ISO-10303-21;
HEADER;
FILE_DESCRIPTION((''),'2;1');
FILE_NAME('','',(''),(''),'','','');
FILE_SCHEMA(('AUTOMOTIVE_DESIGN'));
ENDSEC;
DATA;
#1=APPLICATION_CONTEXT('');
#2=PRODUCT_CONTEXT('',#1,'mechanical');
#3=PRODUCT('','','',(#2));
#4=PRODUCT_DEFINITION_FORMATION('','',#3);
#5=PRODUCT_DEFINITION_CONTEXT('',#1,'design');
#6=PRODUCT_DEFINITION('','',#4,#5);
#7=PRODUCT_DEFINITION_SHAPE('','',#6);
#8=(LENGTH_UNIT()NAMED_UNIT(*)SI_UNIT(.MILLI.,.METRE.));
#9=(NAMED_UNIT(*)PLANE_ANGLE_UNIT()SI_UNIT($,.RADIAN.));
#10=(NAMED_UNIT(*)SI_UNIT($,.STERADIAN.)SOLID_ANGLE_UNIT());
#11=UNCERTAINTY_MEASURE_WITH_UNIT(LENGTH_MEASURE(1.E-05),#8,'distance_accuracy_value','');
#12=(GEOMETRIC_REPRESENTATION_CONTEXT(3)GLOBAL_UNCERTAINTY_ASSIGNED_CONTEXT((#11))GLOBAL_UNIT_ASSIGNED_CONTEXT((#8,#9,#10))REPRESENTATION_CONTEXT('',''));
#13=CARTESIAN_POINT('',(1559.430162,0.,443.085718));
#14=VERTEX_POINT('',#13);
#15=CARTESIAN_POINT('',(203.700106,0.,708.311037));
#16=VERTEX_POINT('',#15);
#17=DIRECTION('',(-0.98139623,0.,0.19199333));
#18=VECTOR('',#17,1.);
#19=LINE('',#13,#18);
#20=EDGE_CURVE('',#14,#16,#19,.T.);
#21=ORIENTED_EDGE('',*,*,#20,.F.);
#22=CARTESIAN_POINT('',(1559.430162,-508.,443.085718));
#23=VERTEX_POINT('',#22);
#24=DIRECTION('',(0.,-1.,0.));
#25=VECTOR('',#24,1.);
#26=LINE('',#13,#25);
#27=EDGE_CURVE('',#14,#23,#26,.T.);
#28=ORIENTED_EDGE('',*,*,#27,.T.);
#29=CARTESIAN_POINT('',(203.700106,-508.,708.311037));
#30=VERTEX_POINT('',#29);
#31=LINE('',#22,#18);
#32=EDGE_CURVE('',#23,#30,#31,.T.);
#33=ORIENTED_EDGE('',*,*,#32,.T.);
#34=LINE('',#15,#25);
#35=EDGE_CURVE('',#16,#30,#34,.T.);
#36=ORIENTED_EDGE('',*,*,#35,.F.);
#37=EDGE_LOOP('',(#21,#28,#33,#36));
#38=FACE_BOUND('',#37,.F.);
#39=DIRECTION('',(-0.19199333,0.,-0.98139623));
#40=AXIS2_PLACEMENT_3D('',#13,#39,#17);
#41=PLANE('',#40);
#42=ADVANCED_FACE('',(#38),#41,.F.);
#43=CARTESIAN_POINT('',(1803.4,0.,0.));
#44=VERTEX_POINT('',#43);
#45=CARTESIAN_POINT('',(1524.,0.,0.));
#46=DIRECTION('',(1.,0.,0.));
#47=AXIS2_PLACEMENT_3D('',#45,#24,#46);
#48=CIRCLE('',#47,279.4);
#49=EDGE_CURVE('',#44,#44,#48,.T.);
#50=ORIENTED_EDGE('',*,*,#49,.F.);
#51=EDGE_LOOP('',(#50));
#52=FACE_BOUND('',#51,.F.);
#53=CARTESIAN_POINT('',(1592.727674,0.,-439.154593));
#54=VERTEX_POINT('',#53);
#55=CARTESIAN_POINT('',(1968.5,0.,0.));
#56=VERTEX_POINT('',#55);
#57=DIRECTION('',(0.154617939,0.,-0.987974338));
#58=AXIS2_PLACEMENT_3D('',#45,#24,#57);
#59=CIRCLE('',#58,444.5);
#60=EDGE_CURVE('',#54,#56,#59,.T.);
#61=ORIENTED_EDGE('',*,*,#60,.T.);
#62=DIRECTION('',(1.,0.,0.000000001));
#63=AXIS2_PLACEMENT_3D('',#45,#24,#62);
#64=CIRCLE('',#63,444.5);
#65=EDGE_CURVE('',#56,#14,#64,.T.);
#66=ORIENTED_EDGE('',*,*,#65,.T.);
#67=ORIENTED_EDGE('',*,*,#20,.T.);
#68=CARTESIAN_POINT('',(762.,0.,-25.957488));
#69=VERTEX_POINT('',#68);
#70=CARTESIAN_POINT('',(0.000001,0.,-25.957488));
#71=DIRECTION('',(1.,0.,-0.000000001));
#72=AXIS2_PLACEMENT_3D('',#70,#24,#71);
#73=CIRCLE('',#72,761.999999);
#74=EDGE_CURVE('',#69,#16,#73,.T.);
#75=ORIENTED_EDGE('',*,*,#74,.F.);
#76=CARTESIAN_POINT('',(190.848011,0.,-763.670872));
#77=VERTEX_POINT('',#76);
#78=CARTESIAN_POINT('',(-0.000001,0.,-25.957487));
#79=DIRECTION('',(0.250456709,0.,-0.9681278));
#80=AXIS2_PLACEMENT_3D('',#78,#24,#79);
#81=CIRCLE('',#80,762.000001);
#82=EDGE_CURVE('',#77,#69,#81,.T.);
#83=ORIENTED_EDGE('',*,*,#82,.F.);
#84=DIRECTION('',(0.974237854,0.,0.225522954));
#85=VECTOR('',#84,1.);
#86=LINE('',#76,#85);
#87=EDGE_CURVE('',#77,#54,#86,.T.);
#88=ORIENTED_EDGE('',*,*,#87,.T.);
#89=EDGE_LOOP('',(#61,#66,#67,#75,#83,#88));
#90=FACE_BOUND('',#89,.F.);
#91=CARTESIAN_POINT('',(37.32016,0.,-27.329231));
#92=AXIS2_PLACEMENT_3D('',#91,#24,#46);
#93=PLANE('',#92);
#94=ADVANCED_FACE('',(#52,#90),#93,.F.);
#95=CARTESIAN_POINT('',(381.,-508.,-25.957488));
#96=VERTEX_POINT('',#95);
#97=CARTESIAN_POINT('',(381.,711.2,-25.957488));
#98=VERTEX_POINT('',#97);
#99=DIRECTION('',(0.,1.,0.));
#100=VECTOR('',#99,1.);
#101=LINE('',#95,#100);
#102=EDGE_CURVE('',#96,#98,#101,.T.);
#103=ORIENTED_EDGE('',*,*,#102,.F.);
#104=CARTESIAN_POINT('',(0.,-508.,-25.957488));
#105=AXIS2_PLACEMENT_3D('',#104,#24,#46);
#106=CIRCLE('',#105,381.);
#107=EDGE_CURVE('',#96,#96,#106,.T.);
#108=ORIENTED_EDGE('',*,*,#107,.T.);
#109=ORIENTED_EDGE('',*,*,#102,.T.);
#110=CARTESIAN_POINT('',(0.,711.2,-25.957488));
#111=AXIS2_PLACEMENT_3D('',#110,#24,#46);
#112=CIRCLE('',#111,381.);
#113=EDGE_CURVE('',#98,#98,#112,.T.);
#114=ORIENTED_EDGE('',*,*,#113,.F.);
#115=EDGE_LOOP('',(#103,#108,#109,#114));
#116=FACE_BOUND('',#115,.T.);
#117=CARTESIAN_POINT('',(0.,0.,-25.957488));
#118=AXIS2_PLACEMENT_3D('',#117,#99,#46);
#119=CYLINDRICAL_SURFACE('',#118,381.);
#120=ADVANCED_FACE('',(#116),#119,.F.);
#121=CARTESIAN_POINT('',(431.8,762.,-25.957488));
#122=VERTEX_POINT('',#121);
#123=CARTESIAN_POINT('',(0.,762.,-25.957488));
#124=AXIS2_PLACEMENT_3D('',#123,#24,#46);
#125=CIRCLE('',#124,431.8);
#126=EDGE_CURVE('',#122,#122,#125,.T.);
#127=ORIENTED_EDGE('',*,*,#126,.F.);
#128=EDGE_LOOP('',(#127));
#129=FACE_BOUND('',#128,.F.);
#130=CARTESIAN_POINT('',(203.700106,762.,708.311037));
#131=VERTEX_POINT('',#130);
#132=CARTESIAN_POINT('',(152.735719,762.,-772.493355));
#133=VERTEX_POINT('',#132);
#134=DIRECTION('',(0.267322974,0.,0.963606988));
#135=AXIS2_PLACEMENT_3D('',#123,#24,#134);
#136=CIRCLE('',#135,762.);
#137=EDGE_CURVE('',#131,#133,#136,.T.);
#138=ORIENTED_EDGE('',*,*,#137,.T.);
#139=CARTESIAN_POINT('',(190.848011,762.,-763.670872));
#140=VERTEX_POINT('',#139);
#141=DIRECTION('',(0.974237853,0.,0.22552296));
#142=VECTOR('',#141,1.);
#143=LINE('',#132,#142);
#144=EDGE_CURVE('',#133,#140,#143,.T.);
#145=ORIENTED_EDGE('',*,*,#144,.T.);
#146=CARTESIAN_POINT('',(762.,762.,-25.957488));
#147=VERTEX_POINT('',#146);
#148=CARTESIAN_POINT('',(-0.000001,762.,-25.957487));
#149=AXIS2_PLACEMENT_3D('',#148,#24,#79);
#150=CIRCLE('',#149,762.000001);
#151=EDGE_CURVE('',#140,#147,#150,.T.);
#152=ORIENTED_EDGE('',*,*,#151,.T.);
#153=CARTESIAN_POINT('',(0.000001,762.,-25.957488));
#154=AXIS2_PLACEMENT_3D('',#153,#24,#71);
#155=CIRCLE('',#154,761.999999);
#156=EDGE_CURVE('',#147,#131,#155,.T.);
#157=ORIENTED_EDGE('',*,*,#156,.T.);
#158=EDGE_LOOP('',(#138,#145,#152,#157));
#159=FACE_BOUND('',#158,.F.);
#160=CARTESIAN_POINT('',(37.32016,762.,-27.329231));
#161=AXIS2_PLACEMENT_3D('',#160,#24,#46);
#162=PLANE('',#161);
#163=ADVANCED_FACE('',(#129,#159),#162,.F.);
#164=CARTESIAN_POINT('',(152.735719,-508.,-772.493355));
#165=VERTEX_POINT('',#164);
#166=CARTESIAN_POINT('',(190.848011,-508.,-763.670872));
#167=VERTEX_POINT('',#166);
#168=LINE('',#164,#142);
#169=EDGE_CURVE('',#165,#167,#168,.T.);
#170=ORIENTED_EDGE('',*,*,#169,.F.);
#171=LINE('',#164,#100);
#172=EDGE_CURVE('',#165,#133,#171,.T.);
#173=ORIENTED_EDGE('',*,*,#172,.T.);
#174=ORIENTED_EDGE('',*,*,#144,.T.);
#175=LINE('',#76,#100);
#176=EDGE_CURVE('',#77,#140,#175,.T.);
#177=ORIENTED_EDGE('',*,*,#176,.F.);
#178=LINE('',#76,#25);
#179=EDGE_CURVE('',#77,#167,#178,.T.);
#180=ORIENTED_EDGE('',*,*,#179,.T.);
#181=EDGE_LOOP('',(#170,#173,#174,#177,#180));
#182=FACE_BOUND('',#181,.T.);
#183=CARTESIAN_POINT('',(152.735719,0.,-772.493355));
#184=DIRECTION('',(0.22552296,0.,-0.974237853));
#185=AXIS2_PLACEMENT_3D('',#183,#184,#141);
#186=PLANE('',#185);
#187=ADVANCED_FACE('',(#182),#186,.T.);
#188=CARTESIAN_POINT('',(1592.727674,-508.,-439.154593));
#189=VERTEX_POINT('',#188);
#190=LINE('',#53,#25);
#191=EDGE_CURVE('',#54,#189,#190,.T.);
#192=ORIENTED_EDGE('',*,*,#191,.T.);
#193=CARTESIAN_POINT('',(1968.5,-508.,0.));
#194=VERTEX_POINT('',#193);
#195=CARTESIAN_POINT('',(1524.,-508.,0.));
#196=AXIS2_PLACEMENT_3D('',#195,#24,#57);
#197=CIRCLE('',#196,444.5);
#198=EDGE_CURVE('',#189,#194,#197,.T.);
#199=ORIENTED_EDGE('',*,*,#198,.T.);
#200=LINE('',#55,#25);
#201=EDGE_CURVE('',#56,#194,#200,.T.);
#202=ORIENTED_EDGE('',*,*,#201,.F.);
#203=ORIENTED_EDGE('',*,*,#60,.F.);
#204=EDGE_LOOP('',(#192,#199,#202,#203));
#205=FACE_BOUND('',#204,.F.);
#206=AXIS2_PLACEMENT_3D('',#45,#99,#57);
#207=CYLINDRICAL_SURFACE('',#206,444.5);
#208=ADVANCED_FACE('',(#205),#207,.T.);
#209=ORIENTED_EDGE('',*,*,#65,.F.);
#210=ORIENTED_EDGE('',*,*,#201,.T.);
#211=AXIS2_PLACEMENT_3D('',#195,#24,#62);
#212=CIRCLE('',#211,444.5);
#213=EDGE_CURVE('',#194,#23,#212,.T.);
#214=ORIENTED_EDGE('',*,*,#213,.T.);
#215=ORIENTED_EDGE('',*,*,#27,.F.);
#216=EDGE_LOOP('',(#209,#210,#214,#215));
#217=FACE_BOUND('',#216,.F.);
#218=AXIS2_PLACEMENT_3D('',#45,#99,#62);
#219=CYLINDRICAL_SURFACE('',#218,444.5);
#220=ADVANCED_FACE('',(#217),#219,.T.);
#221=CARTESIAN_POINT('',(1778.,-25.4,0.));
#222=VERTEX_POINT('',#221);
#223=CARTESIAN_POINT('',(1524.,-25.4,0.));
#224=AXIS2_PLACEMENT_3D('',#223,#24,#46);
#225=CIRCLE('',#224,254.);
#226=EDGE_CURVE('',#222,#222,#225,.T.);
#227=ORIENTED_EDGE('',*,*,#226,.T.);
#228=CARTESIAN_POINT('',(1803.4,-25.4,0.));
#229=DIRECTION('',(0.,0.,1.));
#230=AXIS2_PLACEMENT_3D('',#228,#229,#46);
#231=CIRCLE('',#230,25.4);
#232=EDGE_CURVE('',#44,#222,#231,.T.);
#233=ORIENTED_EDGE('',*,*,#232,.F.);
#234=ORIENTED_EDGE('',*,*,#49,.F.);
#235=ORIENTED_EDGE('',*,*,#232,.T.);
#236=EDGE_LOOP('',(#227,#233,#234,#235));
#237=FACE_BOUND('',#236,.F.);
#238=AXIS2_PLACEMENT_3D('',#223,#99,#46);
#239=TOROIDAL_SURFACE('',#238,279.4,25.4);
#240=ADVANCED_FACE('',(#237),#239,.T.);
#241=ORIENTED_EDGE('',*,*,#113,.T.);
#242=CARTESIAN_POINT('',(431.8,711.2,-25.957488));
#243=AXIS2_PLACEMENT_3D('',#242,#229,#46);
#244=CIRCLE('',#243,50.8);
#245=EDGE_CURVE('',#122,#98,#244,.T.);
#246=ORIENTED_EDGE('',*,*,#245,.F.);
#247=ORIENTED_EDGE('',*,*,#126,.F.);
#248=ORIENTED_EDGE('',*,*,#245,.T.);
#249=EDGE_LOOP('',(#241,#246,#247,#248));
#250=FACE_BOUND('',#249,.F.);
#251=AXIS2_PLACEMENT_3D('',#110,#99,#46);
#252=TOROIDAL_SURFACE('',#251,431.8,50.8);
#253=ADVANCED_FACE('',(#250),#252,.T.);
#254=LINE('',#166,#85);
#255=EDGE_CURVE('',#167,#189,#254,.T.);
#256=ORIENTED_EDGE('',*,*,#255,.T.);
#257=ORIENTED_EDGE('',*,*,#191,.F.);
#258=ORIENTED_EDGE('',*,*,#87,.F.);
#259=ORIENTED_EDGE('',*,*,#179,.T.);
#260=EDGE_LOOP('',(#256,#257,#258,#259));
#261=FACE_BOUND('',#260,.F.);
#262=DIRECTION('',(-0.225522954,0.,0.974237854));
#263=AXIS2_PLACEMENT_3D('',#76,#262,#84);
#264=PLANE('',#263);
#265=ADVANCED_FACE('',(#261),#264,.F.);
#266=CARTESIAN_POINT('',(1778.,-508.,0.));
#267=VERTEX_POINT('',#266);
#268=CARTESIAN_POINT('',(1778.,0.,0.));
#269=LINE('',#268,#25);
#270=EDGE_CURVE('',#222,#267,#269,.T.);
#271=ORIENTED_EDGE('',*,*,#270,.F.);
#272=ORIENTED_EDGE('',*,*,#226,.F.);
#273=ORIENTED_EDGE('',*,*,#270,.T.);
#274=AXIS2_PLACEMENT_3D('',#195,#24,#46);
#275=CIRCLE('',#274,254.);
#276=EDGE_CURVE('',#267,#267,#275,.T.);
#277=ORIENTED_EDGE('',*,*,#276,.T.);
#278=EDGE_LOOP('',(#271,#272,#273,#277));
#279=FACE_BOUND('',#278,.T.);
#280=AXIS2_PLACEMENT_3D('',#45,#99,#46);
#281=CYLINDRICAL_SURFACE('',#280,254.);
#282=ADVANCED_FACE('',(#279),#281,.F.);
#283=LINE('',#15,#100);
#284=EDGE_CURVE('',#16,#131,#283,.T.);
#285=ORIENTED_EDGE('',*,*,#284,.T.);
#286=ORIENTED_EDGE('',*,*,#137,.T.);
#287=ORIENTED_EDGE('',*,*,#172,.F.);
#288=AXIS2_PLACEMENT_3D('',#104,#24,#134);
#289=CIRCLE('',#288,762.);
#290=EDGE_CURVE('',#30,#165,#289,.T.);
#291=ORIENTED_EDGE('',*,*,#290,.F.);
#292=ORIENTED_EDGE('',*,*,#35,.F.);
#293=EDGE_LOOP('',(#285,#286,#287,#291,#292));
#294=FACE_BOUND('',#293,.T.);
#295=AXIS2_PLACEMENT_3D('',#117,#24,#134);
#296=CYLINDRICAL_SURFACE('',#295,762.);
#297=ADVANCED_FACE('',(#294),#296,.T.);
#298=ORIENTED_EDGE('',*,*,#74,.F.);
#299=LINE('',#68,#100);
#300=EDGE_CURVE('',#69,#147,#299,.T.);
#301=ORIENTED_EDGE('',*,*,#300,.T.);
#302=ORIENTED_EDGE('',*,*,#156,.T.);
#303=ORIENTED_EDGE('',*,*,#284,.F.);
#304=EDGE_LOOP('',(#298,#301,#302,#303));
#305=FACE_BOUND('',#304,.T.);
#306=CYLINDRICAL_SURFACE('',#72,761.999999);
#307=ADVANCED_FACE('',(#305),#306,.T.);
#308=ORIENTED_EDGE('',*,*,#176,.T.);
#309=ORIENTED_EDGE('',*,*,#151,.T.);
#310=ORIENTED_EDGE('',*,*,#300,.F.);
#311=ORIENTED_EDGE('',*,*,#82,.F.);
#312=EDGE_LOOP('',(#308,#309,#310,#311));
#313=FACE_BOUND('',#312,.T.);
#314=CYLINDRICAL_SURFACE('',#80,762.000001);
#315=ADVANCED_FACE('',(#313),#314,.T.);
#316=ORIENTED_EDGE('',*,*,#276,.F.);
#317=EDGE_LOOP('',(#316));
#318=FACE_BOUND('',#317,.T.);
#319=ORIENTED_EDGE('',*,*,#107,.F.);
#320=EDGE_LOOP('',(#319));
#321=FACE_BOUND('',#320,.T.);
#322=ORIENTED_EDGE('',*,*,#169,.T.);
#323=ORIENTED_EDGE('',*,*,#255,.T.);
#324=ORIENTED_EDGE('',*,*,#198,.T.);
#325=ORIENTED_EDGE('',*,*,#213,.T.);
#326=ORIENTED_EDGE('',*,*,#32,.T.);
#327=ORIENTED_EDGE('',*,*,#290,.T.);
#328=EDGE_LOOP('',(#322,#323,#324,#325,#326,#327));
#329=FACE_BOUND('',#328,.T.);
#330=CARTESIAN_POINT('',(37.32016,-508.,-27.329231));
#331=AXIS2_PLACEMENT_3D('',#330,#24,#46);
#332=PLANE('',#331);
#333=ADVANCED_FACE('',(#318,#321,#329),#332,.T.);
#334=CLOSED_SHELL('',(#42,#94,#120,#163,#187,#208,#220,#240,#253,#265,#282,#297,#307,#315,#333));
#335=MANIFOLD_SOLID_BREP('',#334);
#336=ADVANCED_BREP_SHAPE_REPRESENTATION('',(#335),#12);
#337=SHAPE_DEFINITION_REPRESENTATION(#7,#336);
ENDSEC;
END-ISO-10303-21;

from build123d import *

# Parameters (mm, degrees)
F0_R     = 381
F0_R_2   = 254
F1_DEPTH = 508
F2_DEPTH = 762
F3_R     = 50.8
F4_R     = 25.4


with BuildPart() as f1:
    # F0 (on Front) → F1 (new body)
    with BuildSketch(Plane.XZ):
        with BuildLine():
            ThreePointArc((190.848011, -763.670872), (602.523935, -492.443187), (762, -25.957488))
            ThreePointArc((762, -25.957488), (606.573772, 435.249905), (203.700106, 708.311037))
            ThreePointArc((203.700106, 708.311037), (-761.549103, 0.252512), (152.735719, -772.493355))
            Line((152.735719, -772.493355), (190.848011, -763.670872))
        make_face()
        with Locations((0, -25.957488)):
            Circle(F0_R, mode=Mode.SUBTRACT)
        with BuildLine():
            ThreePointArc((203.700106, 708.311037), (606.573772, 435.249905), (762, -25.957488))
            ThreePointArc((762, -25.957488), (602.523935, -492.443187), (190.848011, -763.670872))
            Line((190.848011, -763.670872), (1592.727674, -439.154593))
            ThreePointArc((1592.727674, -439.154593), (1079.816248, -16.764383), (1559.430162, 443.085718))
            Line((1559.430162, 443.085718), (203.700106, 708.311037))
        make_face()
        with BuildLine():
            ThreePointArc((1968.5, 0), (1850.595282, 301.522423), (1559.430162, 443.085718))
            ThreePointArc((1559.430162, 443.085718), (1079.816248, -16.764383), (1592.727674, -439.154593))
            ThreePointArc((1592.727674, -439.154593), (1861.734882, -288.99031), (1968.5, 0))
        make_face()
        with Locations((1524, 0)):
            Circle(F0_R_2, mode=Mode.SUBTRACT)
    extrude(amount=F1_DEPTH)

    # F0 (on Front) → F2 (join)
    with BuildSketch(Plane.XZ):
        with BuildLine():
            ThreePointArc((190.848011, -763.670872), (602.523935, -492.443187), (762, -25.957488))
            ThreePointArc((762, -25.957488), (606.573772, 435.249905), (203.700106, 708.311037))
            ThreePointArc((203.700106, 708.311037), (-761.549103, 0.252512), (152.735719, -772.493355))
            Line((152.735719, -772.493355), (190.848011, -763.670872))
        make_face()
        with Locations((0, -25.957488)):
            Circle(F0_R, mode=Mode.SUBTRACT)
    extrude(amount=-F2_DEPTH)

    # F3
    f3_edges = [f1.edges().sort_by_distance(p)[0] for p in [
        (-381, 762, -25.957488),
    ]]
    fillet(f3_edges, radius=F3_R)

    # F4
    f4_edges = [f1.edges().sort_by_distance(p)[0] for p in [
        (1270, 0, 0),
    ]]
    fillet(f4_edges, radius=F4_R)


solid = f1.part
